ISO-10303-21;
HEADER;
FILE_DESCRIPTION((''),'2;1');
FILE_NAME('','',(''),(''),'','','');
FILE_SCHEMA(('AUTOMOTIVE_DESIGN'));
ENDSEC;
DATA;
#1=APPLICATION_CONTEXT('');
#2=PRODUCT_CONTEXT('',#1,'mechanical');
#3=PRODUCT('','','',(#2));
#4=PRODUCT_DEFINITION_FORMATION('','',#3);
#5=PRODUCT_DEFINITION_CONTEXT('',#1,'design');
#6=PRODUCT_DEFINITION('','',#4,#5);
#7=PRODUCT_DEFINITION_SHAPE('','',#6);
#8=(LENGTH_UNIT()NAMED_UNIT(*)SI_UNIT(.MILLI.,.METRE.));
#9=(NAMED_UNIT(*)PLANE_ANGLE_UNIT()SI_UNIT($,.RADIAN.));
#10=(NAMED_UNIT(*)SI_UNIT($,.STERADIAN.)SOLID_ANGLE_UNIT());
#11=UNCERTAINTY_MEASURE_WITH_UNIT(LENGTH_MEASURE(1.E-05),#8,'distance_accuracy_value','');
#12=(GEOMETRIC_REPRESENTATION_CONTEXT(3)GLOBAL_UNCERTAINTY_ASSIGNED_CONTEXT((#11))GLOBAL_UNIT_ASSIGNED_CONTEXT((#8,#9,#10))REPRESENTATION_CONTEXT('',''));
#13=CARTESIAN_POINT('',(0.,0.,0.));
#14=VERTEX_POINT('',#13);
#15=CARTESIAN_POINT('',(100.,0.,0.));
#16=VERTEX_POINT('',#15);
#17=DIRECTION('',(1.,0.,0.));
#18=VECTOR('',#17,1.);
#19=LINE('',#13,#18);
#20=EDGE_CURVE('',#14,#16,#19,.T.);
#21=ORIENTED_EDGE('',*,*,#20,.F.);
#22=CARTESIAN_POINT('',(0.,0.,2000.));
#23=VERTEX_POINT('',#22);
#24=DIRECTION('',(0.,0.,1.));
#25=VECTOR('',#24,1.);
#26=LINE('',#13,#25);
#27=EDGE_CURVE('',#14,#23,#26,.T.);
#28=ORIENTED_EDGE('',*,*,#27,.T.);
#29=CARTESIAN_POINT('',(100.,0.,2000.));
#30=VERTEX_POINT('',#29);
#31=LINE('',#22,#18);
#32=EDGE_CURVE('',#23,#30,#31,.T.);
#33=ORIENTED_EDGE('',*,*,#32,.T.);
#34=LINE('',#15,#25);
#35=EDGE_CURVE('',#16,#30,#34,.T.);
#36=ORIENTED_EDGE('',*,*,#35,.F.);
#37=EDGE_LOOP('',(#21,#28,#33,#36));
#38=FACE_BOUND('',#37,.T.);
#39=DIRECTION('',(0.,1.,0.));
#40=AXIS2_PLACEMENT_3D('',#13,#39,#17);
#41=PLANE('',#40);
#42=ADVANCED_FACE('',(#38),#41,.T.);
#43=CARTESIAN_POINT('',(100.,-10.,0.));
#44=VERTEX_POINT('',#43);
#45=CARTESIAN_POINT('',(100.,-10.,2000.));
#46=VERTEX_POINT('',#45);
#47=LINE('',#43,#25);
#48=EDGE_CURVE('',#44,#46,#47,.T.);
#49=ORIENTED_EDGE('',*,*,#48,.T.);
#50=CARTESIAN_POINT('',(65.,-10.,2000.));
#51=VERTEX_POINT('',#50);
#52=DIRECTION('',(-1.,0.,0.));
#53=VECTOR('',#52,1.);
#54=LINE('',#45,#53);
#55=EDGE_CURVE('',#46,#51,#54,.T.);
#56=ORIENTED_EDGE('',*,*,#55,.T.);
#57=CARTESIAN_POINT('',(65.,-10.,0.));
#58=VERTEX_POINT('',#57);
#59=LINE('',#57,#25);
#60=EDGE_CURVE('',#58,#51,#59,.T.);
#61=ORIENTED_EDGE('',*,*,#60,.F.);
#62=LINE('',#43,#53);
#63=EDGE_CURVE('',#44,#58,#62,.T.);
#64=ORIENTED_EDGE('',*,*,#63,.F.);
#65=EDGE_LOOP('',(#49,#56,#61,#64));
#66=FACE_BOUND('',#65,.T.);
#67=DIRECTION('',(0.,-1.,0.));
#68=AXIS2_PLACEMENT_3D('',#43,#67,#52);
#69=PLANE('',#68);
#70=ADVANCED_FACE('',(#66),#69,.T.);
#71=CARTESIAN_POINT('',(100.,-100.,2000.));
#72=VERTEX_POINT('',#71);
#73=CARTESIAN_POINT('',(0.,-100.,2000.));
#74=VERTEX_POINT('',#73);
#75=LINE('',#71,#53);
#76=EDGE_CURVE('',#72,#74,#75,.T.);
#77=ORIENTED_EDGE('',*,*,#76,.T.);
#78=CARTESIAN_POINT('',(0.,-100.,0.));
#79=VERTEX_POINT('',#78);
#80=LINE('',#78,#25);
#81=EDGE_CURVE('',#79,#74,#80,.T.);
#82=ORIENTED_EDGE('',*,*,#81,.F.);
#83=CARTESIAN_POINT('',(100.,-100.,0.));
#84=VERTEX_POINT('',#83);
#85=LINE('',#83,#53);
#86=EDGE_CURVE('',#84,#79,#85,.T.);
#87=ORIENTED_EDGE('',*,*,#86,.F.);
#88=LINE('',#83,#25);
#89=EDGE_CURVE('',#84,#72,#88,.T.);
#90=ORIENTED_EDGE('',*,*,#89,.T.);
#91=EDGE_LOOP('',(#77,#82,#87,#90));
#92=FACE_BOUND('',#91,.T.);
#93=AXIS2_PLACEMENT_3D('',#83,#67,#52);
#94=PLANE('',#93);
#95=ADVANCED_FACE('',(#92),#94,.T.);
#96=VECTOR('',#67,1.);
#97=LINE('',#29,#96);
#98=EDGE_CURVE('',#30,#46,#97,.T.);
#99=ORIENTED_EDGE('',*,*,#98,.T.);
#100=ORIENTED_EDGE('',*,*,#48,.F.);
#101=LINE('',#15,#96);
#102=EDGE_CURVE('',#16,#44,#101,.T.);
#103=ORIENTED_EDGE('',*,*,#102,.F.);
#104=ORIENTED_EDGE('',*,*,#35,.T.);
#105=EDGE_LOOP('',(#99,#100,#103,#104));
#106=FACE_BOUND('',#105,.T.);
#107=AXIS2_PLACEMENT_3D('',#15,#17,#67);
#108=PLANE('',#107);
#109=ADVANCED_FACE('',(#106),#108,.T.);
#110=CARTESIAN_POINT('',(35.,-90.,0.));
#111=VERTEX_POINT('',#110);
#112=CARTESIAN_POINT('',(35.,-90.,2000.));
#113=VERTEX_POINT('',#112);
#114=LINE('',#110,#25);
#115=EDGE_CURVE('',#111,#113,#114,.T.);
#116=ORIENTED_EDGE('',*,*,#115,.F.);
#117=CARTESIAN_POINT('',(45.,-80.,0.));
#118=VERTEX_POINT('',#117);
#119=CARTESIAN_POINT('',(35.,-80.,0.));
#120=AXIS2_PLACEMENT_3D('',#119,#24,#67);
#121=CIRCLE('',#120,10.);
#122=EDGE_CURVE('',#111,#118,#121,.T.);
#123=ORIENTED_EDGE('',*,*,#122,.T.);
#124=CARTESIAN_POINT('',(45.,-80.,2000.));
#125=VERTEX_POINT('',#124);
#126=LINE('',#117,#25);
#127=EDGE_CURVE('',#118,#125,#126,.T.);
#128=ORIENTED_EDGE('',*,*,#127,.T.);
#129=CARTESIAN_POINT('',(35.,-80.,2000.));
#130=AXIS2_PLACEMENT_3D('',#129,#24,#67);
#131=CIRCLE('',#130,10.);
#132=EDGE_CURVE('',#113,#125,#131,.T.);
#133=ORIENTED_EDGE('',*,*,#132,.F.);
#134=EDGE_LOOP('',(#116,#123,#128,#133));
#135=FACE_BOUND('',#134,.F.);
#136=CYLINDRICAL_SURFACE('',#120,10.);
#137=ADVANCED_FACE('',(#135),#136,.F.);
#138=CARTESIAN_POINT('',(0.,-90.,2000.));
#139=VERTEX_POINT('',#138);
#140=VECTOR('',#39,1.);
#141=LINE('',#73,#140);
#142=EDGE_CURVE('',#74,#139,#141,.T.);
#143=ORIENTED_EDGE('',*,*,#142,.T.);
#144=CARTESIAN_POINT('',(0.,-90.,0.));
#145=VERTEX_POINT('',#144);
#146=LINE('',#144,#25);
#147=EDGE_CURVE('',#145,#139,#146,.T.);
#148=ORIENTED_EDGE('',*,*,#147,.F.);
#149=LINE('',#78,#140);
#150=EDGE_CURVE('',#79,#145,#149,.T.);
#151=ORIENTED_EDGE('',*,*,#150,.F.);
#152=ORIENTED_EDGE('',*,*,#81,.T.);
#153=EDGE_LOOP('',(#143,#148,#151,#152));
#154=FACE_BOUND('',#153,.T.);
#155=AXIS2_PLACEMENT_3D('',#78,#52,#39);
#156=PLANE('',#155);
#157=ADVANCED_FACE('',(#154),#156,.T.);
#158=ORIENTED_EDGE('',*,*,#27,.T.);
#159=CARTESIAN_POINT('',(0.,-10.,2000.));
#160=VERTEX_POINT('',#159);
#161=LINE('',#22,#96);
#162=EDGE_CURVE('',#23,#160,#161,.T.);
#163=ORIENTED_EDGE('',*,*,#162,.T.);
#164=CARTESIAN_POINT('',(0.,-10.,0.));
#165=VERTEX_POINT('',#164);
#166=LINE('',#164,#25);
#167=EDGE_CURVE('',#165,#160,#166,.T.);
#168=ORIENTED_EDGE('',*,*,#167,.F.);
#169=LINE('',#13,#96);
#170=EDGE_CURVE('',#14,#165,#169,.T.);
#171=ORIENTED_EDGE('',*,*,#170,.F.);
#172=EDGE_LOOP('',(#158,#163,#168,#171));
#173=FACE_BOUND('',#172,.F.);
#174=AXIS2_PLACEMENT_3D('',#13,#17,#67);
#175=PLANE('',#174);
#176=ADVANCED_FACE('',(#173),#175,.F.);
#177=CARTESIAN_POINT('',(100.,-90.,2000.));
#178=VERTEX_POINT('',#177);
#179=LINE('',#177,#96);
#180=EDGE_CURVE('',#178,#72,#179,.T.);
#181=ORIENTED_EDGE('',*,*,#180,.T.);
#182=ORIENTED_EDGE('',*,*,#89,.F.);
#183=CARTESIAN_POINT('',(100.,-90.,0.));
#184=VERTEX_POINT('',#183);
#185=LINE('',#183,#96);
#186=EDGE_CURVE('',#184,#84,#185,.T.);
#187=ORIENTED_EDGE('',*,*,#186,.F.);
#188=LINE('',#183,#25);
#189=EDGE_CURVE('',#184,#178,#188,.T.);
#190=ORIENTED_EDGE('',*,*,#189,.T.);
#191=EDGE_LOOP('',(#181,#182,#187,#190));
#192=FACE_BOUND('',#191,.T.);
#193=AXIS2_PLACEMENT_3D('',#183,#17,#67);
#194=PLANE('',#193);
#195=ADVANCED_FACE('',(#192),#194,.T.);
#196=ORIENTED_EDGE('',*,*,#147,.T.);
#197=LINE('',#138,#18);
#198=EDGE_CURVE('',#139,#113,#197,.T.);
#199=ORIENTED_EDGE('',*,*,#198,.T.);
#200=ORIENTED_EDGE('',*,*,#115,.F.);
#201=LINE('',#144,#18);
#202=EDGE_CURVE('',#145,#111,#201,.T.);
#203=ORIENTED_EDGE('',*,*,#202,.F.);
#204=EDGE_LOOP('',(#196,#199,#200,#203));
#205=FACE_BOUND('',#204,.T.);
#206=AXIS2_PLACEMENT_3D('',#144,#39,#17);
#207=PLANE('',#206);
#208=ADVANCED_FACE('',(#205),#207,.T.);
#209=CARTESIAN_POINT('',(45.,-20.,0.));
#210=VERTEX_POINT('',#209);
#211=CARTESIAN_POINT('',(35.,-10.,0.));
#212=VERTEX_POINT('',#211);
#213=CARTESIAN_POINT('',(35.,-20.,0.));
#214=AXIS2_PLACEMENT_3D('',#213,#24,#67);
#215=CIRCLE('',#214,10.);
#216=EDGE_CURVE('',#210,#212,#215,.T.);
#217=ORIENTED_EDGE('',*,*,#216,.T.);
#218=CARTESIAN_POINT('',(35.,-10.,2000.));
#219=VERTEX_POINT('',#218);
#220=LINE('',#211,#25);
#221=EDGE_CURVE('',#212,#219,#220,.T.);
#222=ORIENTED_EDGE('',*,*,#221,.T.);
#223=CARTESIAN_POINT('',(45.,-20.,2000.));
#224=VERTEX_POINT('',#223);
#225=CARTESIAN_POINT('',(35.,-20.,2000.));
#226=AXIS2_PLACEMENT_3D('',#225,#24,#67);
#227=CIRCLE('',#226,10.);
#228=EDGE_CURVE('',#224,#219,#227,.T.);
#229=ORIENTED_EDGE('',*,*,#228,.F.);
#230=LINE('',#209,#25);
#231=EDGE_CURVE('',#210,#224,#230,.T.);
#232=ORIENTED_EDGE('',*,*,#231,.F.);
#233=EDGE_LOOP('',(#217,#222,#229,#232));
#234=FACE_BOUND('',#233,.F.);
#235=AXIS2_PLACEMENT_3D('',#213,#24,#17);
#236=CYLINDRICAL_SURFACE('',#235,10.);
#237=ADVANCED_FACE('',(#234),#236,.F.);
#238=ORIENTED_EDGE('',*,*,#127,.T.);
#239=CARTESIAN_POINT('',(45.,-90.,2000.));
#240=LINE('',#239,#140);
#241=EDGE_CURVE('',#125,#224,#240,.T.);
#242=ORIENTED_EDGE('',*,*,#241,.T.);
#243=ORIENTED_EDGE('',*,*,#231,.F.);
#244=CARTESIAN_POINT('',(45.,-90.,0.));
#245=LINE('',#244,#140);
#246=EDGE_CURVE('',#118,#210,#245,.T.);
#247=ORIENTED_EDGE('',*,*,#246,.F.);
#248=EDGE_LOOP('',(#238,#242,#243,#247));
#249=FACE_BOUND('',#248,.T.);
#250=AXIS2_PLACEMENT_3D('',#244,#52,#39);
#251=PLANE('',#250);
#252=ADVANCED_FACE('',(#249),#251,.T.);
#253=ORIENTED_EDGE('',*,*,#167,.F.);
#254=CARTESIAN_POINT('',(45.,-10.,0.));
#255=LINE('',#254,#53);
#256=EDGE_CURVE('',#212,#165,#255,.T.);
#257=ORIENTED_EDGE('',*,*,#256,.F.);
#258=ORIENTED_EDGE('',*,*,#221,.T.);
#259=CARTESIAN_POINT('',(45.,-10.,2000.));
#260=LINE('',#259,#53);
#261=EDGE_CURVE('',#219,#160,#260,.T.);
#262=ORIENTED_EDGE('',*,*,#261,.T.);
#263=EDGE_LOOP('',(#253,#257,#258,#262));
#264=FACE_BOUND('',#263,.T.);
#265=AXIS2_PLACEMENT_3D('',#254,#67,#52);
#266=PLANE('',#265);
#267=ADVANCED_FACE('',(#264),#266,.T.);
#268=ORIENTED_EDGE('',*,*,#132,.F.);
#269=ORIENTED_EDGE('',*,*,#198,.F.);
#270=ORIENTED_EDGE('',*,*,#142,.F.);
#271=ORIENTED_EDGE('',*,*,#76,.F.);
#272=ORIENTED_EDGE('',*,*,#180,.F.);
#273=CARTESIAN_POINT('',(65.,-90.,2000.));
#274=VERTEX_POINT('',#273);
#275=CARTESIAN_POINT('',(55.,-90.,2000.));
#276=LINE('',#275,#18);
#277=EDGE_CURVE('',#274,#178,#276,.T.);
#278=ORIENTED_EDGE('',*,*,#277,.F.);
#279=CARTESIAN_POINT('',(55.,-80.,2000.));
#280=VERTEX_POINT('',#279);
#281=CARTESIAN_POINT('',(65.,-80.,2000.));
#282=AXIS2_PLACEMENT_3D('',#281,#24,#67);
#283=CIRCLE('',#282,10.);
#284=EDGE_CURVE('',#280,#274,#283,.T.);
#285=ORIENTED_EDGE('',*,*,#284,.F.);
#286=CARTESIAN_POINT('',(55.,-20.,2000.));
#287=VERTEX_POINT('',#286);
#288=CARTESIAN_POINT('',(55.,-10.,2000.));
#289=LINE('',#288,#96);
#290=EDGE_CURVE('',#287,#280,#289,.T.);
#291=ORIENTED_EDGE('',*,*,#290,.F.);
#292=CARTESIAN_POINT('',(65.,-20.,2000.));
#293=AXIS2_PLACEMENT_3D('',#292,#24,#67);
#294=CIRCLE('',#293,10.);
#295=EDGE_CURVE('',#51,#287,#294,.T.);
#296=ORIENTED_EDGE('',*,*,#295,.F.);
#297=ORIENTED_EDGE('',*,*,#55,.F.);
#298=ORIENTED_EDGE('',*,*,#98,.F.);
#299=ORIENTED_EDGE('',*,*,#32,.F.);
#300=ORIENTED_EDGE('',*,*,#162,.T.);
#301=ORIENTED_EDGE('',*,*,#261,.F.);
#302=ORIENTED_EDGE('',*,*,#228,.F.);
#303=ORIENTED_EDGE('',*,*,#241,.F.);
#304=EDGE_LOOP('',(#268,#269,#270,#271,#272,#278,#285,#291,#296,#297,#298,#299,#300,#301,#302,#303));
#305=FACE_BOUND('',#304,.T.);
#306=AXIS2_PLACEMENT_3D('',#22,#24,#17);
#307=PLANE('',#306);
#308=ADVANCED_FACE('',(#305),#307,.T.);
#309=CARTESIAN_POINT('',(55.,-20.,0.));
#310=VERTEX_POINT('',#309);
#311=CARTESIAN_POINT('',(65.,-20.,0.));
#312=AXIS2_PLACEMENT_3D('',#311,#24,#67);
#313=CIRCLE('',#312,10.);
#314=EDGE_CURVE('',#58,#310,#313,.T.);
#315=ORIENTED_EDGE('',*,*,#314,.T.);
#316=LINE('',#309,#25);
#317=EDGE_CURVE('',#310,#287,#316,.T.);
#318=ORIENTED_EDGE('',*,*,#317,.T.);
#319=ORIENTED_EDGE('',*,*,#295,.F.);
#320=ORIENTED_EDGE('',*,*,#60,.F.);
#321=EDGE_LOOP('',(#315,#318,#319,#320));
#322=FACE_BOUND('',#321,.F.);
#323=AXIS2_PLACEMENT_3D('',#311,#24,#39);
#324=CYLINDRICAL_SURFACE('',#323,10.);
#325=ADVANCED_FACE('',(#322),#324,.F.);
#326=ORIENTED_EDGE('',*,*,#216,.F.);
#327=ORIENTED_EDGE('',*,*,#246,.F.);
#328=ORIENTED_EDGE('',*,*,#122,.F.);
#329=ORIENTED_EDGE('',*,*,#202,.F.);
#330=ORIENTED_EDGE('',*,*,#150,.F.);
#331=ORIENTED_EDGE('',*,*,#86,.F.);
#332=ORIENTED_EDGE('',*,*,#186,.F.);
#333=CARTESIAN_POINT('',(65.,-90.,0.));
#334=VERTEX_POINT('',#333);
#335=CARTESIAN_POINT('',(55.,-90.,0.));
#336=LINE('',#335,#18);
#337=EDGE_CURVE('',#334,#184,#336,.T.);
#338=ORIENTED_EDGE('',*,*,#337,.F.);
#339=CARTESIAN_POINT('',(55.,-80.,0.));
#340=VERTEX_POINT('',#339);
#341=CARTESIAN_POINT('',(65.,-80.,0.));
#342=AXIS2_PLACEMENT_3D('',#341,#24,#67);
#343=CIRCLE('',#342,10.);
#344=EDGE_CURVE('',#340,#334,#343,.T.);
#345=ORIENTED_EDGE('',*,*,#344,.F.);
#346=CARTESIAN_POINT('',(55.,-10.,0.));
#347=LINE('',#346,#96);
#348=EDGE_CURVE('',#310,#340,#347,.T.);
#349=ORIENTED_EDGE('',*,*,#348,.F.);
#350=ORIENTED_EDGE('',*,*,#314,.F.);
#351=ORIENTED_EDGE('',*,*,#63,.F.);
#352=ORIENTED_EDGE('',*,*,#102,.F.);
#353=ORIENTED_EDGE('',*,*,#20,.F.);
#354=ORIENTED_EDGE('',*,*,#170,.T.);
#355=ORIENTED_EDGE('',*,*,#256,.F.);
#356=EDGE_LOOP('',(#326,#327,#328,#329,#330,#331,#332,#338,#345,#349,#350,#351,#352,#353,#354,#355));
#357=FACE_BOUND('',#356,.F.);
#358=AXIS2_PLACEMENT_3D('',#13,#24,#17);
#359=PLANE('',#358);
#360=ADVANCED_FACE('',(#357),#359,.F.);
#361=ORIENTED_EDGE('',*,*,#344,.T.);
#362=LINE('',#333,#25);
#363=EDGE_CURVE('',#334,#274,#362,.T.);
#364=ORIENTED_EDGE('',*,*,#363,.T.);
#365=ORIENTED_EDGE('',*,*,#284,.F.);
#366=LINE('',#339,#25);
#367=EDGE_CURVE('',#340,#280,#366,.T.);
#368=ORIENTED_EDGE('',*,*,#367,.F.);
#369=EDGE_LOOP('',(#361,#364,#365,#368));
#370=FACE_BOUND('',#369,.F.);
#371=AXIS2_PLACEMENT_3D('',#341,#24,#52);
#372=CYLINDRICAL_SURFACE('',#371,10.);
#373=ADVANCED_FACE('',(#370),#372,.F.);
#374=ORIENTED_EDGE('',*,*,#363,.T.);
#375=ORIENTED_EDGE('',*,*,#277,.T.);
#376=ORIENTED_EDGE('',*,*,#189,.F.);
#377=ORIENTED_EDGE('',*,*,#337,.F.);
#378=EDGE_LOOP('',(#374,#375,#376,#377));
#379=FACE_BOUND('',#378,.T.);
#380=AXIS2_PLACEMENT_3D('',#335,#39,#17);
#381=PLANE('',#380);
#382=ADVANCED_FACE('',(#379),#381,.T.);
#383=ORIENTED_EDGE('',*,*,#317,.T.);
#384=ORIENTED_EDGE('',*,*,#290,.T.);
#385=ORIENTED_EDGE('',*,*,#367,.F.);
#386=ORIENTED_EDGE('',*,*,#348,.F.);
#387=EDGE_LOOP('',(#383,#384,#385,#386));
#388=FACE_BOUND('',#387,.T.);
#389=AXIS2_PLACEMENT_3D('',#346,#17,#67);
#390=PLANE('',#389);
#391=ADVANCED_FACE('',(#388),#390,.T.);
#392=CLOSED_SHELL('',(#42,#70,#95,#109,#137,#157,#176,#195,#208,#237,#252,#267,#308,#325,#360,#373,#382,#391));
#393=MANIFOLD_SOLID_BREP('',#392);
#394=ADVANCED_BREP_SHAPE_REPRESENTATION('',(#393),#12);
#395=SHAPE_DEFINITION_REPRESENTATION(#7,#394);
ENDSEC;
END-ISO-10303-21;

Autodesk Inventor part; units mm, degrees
ref_plane "YZ Plane" through (0, 0, 0) normal (1, 0, 0) x (0, 1, 0)
ref_plane "XZ Plane" through (0, 0, 0) normal (0, 1, 0) x (-1, 0, 0)
ref_plane "XY Plane" through (0, 0, 0) normal (0, 0, 1) x (1, 0, 0)
sketch "Sketch1" plane through (0, 0, 0) normal (0, 0, 1) x (1, 0, 0)
  line L0 (0, 0) -> (100, 0)
  line L1 (100, 0) -> (100, -10)
  line L2 (100, -10) -> (55, -10)
  line L3 (55, -10) -> (55, -90)
  line L4 (55, -90) -> (100, -90)
  line L5 (100, -90) -> (100, -100)
  line L6 (100, -100) -> (0, -100)
  line L7 (0, -100) -> (0, -90)
  line L8 (0, -90) -> (45, -90)
  line L9 (45, -90) -> (45, -10)
  line L10 (45, -10) -> (0, -10)
  line L11 (0, 0) -> (0, -10)
  dimension "d0" = 100
  dimension "d1" = 10
  dimension "d2" = 45
  dimension "d3" = 80
  dimension "d4" = 10
  dimension "d5" = 100
  dimension "d6" = 45
extrude "Extrusion1" add sketch "Sketch1" along normal blind 2000
fillet "Fillet1" radius 10 4 edges at (55, -10, 1000) (55, -90, 1000) (45, -90, 1000) (45, -10, 1000)
properties part number "Support beam"
